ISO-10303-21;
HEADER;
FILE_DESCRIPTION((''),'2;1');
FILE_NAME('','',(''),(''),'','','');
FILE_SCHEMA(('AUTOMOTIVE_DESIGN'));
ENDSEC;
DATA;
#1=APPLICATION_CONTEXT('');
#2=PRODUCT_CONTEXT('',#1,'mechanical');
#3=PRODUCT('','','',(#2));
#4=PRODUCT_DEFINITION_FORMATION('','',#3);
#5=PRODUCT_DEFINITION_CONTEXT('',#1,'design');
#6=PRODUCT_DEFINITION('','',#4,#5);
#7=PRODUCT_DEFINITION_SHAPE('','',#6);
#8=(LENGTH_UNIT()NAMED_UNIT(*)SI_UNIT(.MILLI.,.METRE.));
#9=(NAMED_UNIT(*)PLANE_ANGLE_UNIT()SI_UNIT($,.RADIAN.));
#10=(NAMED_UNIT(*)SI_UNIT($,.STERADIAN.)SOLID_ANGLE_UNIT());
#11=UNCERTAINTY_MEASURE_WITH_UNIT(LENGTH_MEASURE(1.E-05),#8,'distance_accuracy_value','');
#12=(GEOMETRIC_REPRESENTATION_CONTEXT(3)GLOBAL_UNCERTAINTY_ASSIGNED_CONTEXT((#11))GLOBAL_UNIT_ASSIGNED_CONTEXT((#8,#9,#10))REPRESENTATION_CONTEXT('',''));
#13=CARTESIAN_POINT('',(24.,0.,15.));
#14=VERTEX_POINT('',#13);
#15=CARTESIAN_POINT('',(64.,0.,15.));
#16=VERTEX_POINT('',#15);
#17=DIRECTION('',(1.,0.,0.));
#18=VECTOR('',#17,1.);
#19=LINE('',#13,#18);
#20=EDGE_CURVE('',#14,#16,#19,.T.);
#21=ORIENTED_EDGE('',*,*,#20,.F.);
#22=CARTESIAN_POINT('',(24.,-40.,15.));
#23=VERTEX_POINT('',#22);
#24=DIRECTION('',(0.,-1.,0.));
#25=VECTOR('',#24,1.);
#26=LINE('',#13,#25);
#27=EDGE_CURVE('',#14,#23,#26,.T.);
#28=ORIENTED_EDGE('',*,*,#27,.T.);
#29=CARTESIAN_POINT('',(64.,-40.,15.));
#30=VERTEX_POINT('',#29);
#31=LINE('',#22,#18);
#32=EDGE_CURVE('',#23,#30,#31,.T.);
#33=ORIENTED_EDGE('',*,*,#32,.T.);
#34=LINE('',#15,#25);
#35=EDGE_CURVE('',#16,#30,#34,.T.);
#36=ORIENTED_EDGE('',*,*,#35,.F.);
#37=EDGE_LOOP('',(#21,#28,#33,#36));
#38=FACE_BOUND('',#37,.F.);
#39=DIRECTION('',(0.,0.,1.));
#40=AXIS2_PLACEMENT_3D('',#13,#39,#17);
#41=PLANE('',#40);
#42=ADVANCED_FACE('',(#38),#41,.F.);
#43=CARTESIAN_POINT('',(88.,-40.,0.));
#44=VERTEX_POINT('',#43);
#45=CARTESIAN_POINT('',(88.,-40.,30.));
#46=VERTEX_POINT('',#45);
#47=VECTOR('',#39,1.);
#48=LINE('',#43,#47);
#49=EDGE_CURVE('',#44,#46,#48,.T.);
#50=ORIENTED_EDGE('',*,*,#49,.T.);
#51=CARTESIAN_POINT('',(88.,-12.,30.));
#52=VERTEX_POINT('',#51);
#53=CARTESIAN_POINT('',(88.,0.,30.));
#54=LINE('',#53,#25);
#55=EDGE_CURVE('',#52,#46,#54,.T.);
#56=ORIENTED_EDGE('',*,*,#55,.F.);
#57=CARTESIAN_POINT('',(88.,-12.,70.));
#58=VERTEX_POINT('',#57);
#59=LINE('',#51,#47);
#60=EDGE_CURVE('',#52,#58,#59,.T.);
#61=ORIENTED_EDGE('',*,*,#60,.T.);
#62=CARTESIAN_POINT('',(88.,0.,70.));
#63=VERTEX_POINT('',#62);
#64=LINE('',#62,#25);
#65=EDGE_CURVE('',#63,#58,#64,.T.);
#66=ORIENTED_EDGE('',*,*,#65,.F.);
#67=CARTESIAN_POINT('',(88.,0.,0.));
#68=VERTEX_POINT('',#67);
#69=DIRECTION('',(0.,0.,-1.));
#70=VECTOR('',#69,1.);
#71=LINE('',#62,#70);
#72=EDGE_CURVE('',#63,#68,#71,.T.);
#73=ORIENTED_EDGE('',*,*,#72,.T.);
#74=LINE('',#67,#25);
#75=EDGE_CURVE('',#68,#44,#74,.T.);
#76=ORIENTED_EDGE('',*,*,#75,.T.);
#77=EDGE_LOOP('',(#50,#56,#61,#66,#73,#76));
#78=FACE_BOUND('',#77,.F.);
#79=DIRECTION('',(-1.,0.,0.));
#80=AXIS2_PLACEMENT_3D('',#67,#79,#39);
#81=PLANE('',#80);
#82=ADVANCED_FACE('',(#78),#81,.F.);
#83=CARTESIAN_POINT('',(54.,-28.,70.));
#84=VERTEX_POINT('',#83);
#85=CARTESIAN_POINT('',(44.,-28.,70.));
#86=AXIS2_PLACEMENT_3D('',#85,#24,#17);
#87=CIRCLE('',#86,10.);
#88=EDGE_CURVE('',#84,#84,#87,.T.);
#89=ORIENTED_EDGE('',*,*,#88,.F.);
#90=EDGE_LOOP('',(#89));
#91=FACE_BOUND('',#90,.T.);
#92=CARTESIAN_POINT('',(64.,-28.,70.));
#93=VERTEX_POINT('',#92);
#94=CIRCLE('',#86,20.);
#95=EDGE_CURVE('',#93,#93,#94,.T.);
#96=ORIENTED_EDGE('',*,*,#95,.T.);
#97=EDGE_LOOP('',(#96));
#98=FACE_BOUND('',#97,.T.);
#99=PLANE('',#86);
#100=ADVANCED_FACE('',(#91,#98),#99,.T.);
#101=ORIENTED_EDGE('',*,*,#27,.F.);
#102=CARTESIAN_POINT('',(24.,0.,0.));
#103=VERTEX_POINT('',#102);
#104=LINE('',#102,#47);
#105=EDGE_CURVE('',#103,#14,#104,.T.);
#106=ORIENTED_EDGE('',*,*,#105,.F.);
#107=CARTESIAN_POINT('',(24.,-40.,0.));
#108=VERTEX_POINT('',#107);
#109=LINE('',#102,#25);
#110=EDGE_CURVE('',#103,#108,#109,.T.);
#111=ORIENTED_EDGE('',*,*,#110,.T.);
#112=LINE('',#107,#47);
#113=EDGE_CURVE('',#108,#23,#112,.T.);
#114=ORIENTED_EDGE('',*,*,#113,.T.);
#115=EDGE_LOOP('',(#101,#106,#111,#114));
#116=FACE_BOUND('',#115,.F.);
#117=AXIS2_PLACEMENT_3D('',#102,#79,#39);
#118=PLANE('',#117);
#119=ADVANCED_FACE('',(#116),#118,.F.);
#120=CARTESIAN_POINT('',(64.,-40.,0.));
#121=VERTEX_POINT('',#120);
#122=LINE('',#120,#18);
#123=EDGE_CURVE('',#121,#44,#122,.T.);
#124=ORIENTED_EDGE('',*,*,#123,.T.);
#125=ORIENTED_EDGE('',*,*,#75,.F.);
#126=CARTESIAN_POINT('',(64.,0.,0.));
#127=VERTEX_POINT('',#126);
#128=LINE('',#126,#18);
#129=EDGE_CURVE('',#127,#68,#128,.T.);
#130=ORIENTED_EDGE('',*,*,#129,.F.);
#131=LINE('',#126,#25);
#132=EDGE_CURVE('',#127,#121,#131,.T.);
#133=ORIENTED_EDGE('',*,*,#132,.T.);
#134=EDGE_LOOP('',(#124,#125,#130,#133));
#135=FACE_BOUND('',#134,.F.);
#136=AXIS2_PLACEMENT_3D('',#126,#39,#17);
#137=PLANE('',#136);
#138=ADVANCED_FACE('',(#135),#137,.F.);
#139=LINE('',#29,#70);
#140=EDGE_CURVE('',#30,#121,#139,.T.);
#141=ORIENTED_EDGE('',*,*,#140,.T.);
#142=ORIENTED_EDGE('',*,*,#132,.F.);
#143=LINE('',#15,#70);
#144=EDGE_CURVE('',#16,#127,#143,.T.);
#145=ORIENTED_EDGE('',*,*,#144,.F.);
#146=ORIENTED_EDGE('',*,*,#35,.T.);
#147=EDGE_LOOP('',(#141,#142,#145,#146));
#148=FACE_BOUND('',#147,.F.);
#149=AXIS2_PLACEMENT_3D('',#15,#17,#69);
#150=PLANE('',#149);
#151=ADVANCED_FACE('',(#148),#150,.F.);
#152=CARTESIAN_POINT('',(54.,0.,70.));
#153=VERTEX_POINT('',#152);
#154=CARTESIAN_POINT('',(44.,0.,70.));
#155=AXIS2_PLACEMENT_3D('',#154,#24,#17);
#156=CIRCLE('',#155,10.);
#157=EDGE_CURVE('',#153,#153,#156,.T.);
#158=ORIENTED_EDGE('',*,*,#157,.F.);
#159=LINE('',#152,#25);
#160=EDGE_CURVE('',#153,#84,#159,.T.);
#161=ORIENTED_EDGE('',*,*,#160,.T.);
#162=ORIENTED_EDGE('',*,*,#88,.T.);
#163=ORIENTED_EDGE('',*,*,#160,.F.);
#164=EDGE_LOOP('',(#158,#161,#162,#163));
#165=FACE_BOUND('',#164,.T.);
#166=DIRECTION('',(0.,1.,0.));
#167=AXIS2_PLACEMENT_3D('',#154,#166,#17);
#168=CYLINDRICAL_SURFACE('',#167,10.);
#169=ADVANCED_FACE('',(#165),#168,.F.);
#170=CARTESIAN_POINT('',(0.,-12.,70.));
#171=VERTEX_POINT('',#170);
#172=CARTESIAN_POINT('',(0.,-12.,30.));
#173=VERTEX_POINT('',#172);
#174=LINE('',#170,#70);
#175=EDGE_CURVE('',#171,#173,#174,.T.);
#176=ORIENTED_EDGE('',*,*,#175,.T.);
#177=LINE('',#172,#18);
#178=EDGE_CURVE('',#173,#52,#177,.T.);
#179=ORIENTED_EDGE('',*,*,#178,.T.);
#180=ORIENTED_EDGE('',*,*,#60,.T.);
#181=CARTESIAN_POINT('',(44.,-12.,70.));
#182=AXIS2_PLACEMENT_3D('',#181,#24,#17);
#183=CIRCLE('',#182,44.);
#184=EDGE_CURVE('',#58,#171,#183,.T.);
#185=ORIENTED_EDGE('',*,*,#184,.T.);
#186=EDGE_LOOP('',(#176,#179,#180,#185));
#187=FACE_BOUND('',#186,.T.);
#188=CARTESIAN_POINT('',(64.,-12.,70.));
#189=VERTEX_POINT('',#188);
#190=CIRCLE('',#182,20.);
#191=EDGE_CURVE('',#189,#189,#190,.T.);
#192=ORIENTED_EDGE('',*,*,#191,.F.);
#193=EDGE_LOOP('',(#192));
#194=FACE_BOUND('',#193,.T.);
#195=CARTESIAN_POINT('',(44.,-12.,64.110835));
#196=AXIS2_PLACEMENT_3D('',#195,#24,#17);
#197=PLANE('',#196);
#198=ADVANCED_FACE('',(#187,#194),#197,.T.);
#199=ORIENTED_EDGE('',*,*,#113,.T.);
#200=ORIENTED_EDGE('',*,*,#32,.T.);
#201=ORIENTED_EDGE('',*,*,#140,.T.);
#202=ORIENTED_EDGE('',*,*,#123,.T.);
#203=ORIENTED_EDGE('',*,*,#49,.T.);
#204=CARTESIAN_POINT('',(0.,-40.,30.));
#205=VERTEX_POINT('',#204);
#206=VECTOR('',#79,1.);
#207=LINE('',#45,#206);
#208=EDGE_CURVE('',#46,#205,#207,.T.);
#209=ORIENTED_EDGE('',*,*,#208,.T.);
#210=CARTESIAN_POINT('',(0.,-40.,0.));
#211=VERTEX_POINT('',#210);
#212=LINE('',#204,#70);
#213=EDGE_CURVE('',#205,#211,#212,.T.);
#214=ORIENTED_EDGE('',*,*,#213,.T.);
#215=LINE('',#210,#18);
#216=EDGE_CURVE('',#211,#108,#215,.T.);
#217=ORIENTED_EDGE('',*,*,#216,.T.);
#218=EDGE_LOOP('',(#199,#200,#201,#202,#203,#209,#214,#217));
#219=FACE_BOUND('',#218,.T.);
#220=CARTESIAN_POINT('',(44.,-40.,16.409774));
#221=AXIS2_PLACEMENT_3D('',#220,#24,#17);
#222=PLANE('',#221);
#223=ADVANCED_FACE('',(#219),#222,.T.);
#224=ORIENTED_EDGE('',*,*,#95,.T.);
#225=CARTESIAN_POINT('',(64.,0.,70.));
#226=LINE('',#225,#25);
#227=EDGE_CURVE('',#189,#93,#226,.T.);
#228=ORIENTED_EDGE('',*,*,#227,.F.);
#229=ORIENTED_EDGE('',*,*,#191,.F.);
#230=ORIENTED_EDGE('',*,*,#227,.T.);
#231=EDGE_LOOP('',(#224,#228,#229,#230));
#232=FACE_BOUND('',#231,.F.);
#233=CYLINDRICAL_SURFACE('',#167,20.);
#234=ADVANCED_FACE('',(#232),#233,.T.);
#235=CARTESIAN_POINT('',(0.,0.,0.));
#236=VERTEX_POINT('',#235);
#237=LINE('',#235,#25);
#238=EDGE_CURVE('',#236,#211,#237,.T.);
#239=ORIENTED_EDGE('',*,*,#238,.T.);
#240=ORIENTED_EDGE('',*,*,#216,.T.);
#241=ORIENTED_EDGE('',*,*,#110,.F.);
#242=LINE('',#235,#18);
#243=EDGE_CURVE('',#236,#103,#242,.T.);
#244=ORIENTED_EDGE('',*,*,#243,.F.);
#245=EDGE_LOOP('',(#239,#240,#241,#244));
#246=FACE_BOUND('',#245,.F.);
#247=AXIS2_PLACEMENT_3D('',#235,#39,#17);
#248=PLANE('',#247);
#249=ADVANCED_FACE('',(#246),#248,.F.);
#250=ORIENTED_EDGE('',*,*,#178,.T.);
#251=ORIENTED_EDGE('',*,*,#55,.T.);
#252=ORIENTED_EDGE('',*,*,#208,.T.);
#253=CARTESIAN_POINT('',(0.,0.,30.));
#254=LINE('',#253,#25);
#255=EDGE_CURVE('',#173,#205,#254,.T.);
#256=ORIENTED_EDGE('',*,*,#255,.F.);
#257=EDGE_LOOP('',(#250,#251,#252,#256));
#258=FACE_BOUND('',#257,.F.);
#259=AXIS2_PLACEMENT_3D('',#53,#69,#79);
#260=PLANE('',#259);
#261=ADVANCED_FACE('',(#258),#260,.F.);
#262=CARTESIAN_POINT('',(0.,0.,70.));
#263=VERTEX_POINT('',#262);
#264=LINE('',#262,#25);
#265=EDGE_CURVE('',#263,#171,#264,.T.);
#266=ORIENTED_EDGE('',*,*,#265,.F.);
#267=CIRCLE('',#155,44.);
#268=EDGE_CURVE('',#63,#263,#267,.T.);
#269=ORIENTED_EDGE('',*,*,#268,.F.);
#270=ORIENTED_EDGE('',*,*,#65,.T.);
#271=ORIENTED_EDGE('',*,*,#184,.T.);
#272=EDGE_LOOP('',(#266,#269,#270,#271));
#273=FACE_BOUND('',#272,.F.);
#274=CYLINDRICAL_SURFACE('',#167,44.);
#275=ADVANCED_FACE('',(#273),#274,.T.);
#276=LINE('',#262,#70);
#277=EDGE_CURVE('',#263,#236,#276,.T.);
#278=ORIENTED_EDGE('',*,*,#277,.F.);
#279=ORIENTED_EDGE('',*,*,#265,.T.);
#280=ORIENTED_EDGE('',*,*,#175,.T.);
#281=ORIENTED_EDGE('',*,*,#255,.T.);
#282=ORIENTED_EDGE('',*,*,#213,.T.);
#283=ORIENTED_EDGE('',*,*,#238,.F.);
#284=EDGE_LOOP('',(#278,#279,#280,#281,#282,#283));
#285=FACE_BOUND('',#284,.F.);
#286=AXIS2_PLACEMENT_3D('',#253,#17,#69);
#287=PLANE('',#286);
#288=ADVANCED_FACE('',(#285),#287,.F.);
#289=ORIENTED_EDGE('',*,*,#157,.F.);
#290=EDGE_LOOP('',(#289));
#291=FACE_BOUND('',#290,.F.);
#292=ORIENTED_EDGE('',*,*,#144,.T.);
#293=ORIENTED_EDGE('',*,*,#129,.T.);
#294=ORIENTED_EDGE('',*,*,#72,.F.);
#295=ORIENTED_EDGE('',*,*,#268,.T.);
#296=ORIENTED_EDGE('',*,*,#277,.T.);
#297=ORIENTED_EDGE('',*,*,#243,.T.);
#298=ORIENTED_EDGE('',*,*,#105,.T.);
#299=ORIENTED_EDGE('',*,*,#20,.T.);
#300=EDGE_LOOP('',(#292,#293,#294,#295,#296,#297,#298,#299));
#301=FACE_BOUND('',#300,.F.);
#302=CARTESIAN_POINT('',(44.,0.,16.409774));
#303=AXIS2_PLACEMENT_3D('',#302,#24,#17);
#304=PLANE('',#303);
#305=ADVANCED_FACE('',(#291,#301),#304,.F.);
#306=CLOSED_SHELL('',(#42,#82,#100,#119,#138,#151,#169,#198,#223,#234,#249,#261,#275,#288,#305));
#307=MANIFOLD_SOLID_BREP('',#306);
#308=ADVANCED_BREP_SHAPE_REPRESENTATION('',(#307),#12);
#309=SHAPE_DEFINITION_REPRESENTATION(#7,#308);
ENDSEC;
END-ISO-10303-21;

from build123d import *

# Parameters (mm, degrees)
F0_R     = 20
F1_DEPTH = 12
F2_DEPTH = 40
F0_R_2   = 10
F3_DEPTH = 28
F4_DEPTH = 25


with BuildPart() as f1:
    # F0 (on Front) → F1 (new body)
    with BuildSketch(Plane.XZ):
        with BuildLine():
            Line((0, 70), (0, 30))
            Line((0, 30), (88, 30))
            Line((88, 30), (88, 70))
            ThreePointArc((88, 70), (44, 114), (0, 70))
        make_face()
        with Locations((44, 70)):
            Circle(F0_R, mode=Mode.SUBTRACT)
    extrude(amount=F1_DEPTH)

    # F0 (on Front) → F2 (join)
    with BuildSketch(Plane.XZ):
        Polygon((0, 30), (0, 0), (24, 0), (24, 15), (64, 15), (64, 0), (88, 0), (88, 30), align=None)
    extrude(amount=F2_DEPTH)

    # F0 (on Front) → F3 (join)
    with BuildSketch(Plane.XZ):
        with Locations((44, 70)):
            Circle(F0_R)
        with Locations((44, 70)):
            Circle(F0_R_2, mode=Mode.SUBTRACT)
    extrude(amount=F3_DEPTH)

    # F0 (on Front) → F4 (cut)
    with BuildSketch(Plane.XZ):
        with Locations((44, 70)):
            Circle(F0_R_2)
    extrude(amount=-F4_DEPTH, mode=Mode.SUBTRACT)


solid = f1.part
